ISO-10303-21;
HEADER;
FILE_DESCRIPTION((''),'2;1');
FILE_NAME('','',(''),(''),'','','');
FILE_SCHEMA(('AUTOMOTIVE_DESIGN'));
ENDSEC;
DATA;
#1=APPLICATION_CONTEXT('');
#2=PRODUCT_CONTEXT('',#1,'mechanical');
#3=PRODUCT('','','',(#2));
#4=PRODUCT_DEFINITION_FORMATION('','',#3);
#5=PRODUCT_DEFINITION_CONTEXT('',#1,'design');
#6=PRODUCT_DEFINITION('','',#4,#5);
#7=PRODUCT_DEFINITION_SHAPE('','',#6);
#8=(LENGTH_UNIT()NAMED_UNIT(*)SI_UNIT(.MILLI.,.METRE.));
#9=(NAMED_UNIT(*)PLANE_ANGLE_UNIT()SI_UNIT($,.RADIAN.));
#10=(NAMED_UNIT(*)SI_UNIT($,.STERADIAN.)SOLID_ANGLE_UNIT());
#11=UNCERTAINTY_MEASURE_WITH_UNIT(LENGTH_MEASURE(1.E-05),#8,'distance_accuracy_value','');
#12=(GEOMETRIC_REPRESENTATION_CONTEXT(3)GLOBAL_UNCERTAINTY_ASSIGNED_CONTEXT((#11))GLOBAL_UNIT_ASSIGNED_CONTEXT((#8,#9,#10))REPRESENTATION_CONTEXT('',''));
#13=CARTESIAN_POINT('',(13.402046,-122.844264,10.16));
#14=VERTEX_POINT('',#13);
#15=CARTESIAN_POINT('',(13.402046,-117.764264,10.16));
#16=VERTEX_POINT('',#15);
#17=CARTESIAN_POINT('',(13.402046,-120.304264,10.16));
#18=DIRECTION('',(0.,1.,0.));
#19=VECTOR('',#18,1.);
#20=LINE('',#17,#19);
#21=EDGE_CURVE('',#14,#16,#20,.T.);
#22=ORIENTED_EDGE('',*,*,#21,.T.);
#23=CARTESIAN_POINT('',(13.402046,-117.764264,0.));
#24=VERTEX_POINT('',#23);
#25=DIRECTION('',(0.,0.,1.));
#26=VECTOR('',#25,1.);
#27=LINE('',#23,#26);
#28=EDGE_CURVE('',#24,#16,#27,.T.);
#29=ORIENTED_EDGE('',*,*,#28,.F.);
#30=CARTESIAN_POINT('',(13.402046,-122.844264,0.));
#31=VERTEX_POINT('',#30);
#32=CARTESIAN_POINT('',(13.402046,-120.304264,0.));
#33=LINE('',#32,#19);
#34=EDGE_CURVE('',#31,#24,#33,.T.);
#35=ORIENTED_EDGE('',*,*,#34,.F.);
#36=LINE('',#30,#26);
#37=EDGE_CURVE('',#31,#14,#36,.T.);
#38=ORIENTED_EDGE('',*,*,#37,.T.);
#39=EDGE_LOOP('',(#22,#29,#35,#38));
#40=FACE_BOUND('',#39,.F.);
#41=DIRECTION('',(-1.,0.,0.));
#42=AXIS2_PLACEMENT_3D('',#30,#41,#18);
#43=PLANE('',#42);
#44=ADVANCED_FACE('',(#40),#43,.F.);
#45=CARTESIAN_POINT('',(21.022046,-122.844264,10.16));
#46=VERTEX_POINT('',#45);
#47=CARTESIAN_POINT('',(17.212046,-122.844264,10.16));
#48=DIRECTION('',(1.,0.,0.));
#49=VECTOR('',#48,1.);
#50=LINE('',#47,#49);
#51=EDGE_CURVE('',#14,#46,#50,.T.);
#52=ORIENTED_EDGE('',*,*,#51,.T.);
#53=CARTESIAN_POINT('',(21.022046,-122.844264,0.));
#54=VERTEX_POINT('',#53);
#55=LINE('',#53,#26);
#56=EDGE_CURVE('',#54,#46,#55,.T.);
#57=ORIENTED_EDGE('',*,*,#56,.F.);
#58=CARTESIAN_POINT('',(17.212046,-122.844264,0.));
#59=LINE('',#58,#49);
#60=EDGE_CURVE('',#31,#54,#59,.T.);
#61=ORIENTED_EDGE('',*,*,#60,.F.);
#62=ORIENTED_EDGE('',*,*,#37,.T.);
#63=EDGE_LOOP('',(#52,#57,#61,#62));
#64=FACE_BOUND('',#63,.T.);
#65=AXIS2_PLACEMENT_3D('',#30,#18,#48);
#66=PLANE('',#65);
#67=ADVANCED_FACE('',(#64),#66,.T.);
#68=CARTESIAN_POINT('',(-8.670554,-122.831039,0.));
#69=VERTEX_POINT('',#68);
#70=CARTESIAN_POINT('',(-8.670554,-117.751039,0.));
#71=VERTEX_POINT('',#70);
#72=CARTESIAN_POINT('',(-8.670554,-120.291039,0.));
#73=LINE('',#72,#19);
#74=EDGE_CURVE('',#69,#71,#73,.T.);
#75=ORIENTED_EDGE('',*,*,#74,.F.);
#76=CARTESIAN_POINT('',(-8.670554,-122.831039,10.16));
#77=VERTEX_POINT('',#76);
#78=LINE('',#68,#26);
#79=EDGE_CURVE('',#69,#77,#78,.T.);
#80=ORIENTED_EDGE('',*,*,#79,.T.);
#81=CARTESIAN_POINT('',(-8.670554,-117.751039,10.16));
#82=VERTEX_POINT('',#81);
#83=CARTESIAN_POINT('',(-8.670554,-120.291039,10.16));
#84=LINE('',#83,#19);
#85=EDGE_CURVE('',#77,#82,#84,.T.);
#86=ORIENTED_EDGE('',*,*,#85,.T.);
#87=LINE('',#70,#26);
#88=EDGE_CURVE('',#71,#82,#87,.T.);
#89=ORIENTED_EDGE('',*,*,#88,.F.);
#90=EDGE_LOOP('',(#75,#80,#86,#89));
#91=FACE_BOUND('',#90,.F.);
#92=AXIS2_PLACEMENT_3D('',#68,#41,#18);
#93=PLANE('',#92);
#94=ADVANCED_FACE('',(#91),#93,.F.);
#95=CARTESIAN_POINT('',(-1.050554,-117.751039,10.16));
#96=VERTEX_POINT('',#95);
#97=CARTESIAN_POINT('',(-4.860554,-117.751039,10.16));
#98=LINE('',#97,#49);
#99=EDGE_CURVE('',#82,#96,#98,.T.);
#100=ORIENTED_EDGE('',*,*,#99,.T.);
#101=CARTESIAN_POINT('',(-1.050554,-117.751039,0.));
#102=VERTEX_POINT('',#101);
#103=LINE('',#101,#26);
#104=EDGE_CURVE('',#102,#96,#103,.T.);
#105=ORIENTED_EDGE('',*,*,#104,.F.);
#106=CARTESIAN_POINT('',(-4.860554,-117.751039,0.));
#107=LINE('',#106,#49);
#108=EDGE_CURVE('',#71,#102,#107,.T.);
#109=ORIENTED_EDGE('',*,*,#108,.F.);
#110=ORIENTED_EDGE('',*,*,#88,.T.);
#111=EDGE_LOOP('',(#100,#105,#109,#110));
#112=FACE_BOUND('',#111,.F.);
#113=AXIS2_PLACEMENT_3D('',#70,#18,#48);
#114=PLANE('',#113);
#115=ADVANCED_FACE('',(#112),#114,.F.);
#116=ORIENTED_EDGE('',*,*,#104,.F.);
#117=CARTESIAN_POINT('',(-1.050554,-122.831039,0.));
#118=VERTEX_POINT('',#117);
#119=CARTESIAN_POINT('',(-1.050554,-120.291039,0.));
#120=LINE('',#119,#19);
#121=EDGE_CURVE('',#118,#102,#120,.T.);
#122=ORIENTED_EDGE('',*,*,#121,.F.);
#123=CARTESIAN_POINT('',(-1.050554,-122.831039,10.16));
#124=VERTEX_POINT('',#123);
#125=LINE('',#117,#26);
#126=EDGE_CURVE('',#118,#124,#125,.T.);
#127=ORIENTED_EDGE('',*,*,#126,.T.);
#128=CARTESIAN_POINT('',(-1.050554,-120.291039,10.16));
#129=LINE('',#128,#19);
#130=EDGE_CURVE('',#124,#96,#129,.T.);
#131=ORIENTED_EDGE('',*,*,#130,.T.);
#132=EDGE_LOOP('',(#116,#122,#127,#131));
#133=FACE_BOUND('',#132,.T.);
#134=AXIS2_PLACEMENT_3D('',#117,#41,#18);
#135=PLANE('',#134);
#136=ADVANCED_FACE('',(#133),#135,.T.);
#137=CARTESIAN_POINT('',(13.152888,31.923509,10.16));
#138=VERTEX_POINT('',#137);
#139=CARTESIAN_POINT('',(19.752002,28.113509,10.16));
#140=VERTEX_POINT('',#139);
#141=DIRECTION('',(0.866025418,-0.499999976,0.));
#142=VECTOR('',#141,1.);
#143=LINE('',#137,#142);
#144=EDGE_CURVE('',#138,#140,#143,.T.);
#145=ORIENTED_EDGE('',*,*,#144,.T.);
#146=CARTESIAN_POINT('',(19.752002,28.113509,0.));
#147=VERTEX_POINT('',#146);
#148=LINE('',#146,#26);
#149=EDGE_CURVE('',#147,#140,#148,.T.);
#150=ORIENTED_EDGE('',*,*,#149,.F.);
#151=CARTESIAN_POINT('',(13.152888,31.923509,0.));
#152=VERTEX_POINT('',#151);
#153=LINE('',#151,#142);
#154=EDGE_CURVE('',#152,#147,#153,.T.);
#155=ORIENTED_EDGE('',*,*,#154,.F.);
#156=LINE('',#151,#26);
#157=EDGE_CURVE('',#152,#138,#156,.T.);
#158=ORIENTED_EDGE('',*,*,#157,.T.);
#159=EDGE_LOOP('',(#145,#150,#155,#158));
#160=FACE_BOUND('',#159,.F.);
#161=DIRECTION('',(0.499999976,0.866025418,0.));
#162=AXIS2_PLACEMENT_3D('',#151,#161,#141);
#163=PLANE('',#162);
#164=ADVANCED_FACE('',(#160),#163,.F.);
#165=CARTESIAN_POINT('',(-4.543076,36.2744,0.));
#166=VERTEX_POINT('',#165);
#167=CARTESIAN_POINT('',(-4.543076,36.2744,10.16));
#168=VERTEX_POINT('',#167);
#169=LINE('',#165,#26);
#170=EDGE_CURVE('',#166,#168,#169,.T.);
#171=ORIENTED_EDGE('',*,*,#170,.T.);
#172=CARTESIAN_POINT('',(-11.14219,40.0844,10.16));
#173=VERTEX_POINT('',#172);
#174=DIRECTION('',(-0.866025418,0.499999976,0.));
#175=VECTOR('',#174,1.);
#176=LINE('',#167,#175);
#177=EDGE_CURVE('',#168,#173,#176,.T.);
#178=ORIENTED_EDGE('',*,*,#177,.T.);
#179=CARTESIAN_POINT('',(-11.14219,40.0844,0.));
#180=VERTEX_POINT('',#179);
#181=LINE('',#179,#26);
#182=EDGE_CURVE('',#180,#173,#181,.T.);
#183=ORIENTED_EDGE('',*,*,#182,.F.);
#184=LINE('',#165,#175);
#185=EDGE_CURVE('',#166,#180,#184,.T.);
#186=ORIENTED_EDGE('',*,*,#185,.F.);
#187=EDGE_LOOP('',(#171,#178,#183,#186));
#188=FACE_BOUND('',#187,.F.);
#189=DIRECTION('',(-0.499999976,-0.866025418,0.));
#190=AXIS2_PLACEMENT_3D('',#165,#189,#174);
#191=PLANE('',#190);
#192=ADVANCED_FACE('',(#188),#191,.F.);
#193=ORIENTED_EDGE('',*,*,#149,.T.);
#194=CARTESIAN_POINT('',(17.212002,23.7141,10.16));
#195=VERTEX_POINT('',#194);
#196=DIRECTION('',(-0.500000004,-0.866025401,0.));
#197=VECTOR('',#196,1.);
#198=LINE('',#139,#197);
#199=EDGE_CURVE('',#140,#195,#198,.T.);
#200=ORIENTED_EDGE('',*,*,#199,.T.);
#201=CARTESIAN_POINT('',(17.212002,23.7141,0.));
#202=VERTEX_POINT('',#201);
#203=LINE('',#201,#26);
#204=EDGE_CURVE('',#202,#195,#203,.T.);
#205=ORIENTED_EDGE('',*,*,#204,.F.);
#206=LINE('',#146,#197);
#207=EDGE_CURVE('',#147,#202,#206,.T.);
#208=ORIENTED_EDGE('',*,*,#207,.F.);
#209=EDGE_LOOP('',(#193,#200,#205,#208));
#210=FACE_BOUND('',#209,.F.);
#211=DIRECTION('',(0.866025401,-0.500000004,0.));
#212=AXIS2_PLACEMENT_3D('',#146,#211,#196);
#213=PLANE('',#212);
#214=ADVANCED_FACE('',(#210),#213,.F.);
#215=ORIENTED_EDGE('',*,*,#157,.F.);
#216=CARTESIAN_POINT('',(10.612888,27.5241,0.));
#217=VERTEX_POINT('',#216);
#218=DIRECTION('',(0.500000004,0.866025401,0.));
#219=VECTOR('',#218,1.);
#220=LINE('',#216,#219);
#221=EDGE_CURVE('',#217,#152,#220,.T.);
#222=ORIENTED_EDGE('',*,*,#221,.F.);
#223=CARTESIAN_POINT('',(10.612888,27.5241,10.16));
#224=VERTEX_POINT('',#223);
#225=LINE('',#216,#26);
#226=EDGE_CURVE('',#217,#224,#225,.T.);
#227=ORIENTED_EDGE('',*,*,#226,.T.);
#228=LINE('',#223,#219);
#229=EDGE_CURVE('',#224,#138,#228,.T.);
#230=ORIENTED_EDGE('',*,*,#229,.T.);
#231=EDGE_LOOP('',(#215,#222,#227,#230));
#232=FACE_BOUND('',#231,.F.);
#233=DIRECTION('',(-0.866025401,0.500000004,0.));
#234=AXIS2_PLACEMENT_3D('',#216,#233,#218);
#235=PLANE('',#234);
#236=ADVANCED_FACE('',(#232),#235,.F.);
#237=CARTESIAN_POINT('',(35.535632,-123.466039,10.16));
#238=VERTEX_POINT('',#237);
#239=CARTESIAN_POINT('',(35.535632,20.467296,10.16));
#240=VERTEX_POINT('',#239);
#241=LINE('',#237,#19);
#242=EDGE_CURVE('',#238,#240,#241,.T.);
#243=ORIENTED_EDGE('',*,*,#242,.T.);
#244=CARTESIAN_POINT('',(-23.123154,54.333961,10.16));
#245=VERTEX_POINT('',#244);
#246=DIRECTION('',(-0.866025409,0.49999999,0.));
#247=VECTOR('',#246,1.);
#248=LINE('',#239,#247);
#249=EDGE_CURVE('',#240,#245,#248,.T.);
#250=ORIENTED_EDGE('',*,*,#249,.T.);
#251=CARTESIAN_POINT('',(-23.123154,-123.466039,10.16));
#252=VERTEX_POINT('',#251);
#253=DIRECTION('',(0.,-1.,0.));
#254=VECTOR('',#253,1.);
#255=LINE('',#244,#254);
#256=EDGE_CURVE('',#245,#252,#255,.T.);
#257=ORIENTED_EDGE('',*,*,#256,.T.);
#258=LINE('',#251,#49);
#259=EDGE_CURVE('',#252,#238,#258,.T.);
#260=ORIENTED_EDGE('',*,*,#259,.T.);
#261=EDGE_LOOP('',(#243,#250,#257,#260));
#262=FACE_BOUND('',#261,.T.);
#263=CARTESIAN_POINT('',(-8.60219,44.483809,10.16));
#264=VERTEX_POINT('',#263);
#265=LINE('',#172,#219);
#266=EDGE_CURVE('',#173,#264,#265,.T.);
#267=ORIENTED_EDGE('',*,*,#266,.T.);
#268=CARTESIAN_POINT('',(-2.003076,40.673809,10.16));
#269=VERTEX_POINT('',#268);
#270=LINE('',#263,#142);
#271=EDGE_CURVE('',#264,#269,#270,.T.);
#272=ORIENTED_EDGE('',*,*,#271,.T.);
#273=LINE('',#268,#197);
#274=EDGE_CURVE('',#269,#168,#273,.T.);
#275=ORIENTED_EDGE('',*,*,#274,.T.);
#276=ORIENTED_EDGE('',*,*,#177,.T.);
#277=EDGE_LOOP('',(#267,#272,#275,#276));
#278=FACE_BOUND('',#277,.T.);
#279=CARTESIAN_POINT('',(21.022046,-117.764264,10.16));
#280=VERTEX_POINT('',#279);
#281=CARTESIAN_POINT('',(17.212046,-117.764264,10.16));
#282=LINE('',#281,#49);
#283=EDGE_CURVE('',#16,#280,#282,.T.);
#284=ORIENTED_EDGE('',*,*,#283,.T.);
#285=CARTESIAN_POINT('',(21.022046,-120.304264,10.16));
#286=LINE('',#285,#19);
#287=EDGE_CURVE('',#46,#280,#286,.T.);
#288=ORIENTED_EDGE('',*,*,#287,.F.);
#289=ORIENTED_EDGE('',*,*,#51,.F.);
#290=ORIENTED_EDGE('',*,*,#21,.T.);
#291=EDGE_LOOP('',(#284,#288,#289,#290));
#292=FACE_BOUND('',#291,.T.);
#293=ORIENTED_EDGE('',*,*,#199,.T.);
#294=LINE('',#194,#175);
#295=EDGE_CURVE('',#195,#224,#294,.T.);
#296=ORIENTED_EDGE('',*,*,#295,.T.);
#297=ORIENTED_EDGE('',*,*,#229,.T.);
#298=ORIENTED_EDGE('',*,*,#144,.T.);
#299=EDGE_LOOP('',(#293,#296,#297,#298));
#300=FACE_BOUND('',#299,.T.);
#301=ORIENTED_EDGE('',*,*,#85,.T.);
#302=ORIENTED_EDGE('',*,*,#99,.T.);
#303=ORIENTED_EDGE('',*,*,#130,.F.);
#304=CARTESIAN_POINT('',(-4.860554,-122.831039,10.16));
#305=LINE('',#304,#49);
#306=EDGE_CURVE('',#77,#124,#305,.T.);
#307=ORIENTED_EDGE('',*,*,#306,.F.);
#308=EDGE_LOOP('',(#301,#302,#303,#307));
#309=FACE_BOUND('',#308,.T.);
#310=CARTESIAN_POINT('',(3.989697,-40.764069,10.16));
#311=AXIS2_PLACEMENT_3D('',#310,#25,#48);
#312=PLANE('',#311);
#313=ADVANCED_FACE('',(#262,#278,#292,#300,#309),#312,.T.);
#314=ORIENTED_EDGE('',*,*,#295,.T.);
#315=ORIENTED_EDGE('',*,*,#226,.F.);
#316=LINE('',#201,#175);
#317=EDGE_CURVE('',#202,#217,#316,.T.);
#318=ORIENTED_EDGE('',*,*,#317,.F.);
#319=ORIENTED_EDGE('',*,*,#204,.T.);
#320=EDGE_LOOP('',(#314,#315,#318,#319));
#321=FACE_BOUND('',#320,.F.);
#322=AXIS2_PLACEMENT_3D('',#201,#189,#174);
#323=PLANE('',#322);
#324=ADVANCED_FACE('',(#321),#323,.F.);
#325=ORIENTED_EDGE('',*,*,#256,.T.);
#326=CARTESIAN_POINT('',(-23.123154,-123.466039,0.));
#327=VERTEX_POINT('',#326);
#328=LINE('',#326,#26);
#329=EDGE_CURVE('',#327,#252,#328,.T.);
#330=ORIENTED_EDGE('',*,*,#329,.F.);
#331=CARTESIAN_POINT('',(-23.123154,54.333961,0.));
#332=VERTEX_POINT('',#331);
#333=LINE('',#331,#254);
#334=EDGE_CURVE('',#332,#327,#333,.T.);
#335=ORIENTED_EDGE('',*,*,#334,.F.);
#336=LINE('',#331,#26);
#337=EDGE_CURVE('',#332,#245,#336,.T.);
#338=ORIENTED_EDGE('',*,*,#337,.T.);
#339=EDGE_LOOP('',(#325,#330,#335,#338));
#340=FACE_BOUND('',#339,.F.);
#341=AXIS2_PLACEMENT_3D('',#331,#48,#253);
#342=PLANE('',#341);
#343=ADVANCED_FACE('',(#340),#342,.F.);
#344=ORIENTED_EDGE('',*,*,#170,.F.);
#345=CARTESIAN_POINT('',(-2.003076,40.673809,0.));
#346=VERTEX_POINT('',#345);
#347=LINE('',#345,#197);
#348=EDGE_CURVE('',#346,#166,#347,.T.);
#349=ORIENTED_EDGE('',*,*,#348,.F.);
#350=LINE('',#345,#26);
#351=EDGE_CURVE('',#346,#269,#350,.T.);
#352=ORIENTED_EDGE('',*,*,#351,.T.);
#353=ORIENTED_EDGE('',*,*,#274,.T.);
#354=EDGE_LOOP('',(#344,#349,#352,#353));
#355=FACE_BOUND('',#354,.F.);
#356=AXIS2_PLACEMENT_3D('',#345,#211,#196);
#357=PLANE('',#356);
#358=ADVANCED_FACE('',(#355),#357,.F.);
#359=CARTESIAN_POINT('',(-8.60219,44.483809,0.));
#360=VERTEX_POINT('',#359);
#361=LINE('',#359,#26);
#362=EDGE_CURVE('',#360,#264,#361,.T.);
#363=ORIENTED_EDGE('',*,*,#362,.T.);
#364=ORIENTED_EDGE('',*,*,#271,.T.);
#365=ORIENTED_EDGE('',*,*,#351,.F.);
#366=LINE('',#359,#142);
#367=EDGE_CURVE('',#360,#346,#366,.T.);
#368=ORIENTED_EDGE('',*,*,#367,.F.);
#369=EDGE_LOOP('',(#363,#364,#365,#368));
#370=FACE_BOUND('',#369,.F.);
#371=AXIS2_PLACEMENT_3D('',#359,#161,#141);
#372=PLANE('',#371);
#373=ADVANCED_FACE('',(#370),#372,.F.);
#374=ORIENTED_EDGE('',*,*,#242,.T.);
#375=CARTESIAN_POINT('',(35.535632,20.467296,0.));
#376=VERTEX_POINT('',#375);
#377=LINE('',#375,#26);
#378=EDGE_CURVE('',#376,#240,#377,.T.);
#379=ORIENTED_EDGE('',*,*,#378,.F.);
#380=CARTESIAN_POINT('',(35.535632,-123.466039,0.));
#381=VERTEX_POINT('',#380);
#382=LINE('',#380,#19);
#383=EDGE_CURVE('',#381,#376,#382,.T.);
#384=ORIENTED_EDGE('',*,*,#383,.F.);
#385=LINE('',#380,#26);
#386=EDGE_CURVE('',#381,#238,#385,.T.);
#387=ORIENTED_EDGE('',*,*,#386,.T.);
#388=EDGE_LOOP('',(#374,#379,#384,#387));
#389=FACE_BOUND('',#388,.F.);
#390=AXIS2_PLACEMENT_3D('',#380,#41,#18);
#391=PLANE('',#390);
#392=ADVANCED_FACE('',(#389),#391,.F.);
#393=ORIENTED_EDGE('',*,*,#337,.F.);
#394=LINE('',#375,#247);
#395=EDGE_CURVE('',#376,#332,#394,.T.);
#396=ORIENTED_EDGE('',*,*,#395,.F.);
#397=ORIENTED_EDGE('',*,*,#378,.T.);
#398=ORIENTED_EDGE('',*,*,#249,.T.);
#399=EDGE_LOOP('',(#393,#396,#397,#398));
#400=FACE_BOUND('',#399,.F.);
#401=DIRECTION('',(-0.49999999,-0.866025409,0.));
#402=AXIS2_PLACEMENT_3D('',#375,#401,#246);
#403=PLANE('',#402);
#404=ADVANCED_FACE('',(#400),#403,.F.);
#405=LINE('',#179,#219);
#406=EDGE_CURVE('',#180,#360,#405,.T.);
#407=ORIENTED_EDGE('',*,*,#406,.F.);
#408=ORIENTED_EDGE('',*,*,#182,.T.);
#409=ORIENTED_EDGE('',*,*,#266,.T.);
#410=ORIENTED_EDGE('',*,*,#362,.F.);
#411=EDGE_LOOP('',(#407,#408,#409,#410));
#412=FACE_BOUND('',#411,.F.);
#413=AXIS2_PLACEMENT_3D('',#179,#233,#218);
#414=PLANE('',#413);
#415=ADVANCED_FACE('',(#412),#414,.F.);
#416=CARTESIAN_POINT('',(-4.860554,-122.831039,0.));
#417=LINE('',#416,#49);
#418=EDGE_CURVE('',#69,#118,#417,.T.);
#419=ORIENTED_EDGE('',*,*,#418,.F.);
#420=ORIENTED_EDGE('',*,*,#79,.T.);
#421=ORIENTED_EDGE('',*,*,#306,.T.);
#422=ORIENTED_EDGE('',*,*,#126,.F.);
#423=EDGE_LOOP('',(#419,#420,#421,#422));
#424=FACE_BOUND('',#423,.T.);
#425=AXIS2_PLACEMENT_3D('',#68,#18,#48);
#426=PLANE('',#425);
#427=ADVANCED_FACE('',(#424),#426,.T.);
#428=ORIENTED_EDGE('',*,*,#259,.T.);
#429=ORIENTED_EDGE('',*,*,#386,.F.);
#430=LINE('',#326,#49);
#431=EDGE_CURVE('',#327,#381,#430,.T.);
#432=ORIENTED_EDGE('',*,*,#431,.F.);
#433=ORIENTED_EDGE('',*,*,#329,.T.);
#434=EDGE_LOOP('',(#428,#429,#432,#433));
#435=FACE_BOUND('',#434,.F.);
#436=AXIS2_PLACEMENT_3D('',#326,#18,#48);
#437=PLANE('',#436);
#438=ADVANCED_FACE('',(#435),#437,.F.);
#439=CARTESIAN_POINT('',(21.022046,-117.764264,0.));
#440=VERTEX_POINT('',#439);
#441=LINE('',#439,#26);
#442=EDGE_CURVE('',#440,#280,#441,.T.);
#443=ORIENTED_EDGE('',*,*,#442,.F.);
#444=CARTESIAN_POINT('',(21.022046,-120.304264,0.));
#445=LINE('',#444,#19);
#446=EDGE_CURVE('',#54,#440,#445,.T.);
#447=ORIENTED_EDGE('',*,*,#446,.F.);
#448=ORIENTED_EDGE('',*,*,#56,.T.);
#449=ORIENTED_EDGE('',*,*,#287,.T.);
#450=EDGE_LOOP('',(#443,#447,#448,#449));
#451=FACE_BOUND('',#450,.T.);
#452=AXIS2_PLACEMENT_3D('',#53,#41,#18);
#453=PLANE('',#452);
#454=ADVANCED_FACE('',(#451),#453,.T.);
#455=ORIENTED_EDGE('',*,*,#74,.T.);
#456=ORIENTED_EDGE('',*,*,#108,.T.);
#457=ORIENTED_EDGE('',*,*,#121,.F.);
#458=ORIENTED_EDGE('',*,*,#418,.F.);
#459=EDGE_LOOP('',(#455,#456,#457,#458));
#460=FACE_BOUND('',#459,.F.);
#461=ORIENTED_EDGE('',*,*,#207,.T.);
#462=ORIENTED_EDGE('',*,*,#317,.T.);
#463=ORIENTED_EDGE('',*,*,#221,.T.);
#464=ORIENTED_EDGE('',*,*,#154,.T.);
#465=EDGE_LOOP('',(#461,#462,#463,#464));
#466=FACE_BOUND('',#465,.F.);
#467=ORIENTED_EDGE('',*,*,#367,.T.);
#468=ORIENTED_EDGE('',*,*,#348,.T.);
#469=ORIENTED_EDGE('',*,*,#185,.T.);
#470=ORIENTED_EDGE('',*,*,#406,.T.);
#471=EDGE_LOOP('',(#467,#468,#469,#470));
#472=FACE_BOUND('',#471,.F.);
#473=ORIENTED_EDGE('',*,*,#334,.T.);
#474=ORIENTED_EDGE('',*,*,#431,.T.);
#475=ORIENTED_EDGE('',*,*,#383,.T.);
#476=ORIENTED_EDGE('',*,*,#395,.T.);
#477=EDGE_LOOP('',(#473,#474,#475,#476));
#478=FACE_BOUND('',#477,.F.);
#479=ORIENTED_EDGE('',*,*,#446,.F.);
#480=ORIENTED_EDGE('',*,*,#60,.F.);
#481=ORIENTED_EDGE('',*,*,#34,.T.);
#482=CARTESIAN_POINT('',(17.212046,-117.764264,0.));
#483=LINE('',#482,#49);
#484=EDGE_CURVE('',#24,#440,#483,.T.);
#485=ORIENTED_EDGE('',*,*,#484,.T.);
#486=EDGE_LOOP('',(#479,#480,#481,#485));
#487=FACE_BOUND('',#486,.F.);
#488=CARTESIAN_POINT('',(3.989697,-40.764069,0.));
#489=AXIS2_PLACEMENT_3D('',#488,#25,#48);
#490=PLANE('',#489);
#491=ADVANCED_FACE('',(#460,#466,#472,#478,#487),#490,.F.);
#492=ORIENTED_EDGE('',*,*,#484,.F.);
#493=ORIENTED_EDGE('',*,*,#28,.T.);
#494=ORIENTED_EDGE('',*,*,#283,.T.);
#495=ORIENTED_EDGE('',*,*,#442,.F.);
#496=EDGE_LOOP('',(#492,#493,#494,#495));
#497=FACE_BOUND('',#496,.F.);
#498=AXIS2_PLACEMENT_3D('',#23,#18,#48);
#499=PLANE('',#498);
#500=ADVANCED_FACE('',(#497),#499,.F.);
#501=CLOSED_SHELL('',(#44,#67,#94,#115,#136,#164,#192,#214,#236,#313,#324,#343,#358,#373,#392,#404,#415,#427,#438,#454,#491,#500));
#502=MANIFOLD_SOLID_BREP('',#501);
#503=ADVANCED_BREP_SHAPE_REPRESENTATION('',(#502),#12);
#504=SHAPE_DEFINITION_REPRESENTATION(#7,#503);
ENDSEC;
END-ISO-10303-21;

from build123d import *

# Parameters (mm, degrees)
F0_W     = 7.62
F0_H     = 5.08
F1_DEPTH = 10.16


with BuildPart() as f1:
    # F0 (on Top) → F1 (new body)
    with BuildSketch(Plane.XY):
        Polygon((35.535632, 20.467296), (-23.123154, 54.333961), (-23.123154, -123.466039), (8.804092, -123.466039), (25.314092, -123.466039), (35.535632, -123.466039), align=None)
        with Locations((-4.860554, -120.291039)):
            Rectangle(F0_W, F0_H, mode=Mode.SUBTRACT)
        with Locations((17.212046, -120.304264)):
            Rectangle(F0_W, F0_H, mode=Mode.SUBTRACT)
        Polygon((-11.14219, 40.0844), (-8.60219, 44.483809), (-2.003076, 40.673809), (-4.543076, 36.2744), align=None, mode=Mode.SUBTRACT)
        Polygon((17.212002, 23.7141), (10.612888, 27.5241), (13.152888, 31.923509), (19.752002, 28.113509), align=None, mode=Mode.SUBTRACT)
    extrude(amount=F1_DEPTH)


solid = f1.part
